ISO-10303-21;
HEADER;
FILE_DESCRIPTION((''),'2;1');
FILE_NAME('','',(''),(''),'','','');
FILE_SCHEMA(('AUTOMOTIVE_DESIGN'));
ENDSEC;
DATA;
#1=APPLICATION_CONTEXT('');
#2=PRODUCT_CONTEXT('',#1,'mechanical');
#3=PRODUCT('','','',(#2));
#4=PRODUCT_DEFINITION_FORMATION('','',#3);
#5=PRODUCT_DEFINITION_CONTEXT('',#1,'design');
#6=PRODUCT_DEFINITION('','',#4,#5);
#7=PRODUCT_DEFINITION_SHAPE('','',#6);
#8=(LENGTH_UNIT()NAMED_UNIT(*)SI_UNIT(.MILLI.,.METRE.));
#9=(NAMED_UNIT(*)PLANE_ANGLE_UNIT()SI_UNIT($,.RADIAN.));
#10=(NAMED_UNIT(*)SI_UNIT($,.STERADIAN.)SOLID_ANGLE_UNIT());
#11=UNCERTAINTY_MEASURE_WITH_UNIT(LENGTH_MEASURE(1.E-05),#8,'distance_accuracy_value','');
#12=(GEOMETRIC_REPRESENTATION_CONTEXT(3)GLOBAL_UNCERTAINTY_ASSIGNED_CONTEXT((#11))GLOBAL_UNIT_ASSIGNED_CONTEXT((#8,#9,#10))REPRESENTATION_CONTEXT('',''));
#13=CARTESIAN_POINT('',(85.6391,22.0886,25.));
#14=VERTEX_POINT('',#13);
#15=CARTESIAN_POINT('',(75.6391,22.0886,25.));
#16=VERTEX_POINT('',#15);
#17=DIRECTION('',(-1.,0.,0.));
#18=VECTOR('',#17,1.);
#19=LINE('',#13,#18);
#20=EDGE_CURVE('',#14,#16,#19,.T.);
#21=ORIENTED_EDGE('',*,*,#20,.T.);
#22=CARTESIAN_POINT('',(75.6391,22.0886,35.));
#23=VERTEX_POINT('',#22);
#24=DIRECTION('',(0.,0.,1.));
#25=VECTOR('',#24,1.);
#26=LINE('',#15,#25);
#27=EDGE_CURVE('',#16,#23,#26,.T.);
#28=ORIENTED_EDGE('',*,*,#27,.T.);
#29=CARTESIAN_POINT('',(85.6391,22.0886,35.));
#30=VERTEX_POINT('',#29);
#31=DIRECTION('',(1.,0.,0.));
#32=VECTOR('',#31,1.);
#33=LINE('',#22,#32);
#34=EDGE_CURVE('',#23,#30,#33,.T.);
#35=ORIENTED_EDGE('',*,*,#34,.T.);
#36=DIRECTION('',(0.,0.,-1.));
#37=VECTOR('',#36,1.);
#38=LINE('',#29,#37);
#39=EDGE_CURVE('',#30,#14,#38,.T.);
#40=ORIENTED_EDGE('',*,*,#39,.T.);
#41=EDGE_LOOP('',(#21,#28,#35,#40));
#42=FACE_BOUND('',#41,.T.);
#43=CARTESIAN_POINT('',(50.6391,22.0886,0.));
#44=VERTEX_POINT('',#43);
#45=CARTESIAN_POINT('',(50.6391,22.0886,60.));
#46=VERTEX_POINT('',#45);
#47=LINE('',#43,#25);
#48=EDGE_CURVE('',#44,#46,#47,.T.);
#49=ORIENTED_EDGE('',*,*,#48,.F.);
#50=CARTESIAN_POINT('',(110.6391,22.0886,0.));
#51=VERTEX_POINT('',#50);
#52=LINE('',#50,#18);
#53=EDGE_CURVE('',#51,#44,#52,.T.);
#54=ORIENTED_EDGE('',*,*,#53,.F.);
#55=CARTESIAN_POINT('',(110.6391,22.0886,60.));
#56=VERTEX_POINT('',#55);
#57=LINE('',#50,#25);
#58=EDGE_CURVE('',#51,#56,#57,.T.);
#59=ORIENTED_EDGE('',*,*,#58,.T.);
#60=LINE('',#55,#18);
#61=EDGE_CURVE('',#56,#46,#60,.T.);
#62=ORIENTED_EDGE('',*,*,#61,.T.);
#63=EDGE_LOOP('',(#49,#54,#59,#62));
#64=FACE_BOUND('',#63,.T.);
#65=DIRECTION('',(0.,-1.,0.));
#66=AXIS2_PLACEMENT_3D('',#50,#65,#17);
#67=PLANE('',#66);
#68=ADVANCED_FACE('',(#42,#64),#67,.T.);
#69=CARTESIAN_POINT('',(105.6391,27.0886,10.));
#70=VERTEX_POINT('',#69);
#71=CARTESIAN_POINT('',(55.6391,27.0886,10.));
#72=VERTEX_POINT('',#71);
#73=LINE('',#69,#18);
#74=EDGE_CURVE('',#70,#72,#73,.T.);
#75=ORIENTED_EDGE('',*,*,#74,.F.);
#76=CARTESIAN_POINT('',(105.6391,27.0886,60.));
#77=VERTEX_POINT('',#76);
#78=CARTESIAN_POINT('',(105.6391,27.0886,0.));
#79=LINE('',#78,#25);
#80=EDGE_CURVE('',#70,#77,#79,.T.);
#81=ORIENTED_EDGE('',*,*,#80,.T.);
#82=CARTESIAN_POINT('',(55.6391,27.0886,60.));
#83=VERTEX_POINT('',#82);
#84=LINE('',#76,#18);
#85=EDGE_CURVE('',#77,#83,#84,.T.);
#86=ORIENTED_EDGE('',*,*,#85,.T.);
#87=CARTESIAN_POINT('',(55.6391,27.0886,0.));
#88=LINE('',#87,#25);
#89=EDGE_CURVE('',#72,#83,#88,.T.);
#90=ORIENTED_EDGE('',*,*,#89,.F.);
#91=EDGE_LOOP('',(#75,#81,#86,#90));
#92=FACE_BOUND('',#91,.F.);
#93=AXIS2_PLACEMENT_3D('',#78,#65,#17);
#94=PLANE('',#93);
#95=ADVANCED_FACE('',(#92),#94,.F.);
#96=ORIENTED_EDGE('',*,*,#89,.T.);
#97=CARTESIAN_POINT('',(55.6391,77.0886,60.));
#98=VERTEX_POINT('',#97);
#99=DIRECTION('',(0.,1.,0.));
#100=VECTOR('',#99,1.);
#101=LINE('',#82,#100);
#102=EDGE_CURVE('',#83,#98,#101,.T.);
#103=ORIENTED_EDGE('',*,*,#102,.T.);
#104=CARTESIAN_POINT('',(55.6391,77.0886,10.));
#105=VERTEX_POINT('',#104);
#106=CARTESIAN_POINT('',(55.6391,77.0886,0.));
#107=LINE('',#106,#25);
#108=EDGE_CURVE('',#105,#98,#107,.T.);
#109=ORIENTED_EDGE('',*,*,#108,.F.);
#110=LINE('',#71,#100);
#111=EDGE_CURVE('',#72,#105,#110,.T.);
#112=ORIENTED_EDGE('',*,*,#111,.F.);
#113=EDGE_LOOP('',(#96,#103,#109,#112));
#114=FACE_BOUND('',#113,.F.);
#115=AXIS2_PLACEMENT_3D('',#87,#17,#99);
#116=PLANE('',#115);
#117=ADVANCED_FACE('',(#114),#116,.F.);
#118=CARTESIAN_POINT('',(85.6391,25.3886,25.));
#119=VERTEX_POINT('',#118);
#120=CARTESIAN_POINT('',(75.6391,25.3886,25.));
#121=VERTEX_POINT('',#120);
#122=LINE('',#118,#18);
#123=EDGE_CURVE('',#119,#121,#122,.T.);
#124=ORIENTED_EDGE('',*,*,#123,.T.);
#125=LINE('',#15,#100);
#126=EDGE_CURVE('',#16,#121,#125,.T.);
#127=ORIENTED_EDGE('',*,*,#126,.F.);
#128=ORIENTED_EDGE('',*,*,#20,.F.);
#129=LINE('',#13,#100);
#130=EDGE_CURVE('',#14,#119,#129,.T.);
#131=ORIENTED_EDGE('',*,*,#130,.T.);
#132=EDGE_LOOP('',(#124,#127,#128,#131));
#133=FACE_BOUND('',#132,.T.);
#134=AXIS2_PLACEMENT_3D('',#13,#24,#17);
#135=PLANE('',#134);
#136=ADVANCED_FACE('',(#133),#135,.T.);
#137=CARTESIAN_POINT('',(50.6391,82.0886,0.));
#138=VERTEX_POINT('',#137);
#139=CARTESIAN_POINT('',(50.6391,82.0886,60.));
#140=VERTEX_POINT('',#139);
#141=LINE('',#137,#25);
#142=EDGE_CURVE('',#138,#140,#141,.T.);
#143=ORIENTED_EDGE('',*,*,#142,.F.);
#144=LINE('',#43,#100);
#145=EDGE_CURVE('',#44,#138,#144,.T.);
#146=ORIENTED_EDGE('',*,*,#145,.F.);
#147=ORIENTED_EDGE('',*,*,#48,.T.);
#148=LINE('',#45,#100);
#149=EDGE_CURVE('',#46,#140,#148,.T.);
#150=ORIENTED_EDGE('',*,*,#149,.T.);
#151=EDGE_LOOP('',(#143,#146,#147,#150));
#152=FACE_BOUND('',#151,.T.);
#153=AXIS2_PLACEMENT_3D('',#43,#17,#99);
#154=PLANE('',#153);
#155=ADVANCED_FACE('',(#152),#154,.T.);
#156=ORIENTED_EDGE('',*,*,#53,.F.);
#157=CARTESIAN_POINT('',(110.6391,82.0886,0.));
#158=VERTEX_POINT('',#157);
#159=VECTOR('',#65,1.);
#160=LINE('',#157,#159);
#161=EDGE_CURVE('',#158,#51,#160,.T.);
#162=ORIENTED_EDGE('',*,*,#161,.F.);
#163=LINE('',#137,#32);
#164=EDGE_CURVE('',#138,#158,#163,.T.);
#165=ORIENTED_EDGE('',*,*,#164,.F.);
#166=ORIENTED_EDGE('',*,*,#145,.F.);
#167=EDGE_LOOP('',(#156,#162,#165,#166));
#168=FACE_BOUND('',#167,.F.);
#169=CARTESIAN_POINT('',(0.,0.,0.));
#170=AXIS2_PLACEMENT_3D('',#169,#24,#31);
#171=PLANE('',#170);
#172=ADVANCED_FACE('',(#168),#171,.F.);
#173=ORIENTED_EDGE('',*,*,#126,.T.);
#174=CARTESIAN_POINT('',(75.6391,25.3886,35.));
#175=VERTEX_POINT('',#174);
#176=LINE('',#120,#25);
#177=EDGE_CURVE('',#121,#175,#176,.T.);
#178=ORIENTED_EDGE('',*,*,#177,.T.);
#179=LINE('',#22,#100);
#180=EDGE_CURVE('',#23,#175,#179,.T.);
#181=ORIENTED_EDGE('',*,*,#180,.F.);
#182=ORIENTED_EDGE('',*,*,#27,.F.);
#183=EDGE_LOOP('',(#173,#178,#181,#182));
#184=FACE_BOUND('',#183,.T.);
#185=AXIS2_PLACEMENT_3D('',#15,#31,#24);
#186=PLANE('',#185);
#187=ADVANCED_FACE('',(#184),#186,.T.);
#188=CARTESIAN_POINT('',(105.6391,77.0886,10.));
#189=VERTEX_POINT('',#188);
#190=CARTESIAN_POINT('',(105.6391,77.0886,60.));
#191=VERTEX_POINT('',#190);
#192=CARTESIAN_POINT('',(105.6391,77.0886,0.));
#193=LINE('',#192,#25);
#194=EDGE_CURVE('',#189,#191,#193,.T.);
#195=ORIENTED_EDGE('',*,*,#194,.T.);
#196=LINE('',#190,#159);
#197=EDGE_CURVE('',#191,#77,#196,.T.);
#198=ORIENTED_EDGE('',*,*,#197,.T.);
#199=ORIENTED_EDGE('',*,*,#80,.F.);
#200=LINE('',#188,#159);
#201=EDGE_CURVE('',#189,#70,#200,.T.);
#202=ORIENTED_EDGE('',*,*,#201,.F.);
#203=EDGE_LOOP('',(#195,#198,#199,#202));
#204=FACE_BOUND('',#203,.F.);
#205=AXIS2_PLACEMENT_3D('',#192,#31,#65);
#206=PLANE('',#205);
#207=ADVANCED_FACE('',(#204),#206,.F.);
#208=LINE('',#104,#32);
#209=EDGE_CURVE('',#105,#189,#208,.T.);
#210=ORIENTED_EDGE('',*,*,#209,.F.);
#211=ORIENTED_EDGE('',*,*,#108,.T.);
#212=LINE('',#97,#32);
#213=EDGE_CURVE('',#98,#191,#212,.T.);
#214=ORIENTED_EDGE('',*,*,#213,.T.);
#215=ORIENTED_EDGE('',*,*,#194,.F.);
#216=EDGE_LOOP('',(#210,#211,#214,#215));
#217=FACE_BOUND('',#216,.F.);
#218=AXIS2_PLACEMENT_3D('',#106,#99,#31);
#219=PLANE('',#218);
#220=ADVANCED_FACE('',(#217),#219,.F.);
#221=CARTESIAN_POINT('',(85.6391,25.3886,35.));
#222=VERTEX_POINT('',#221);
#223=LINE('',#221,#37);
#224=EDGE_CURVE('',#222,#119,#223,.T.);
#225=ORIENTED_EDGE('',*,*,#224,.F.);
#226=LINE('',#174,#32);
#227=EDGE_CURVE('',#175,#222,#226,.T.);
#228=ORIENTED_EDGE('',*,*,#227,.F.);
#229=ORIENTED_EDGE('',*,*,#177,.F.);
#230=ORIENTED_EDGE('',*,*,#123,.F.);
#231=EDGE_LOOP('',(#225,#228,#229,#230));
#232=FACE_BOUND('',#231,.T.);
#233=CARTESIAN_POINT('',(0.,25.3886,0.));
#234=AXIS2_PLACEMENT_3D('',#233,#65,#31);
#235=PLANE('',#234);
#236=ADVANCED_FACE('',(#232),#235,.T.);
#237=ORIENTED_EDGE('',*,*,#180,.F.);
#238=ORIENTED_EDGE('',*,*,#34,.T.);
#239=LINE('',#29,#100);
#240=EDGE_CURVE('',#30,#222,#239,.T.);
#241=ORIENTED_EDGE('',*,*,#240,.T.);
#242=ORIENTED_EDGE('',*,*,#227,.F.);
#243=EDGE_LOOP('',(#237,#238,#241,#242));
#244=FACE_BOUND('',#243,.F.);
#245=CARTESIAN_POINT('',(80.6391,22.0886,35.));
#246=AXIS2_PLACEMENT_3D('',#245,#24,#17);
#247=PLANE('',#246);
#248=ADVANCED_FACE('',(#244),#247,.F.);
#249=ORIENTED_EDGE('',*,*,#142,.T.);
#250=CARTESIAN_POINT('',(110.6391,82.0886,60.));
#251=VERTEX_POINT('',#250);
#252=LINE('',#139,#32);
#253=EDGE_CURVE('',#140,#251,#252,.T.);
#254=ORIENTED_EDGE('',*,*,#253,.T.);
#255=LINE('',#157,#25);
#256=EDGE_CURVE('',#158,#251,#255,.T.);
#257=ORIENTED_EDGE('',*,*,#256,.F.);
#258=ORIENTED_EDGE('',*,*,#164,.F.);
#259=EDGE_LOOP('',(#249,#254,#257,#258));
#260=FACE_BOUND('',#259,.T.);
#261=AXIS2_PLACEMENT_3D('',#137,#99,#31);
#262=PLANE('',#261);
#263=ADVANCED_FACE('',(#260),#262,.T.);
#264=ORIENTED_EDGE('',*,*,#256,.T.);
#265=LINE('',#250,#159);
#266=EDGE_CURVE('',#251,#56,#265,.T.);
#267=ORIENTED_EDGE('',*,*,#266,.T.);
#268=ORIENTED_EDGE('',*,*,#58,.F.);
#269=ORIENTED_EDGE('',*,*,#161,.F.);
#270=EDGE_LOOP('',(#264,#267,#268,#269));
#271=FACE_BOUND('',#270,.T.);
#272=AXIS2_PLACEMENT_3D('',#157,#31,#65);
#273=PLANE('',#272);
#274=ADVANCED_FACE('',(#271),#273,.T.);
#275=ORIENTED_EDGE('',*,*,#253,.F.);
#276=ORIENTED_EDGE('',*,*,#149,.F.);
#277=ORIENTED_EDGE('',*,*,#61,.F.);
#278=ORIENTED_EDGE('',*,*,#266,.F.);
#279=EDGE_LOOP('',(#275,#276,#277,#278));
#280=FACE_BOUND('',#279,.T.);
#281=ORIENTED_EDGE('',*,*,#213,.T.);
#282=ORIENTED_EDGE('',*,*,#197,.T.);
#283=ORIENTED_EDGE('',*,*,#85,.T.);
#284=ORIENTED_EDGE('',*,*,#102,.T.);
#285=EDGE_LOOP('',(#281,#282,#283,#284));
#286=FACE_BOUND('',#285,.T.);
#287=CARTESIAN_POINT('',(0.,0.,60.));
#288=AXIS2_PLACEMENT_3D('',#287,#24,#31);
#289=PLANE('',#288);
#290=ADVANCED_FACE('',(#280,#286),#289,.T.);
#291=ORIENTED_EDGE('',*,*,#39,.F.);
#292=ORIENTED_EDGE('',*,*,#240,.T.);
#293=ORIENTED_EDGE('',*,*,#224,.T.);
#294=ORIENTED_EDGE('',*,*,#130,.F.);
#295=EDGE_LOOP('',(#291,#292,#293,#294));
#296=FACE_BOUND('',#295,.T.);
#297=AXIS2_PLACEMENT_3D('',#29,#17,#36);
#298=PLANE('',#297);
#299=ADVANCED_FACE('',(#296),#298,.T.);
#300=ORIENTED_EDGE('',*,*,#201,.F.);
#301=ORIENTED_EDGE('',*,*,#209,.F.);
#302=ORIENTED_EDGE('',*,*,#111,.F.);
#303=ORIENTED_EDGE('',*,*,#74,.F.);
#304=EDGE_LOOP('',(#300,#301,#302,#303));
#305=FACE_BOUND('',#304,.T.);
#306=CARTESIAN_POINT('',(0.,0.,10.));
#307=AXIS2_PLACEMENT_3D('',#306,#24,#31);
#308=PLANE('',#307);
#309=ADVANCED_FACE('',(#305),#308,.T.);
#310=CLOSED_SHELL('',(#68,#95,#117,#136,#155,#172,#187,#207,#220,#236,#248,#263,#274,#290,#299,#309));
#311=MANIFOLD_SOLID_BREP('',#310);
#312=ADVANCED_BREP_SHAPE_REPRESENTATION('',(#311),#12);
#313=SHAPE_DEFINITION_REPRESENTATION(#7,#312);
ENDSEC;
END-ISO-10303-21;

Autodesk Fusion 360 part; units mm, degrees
sketch "Sketch1" plane through (0, 0, 0) normal (0, 0, 1) x (1, 0, 0)
  line L0 (50.6391, 82.0886) -> (110.6391, 82.0886)
  line L1 (110.6391, 82.0886) -> (110.6391, 22.0886)
  line L2 (110.6391, 22.0886) -> (50.6391, 22.0886)
  line L3 (50.6391, 22.0886) -> (50.6391, 82.0886)
  line L4 (55.6391, 77.0886) -> (105.6391, 77.0886)
  line L5 (105.6391, 77.0886) -> (105.6391, 27.0886)
  line L6 (105.6391, 27.0886) -> (55.6391, 27.0886)
  line L7 (55.6391, 27.0886) -> (55.6391, 77.0886)
  dimension "d1" = 60
  dimension "d2" = 60
  dimension "d5" = 50
  dimension "d6" = 50
extrude "Extrude1" add sketch "Sketch1" along normal blind 10 contours L4 L5 L6 L7
extrude "Extrude2" add sketch "Sketch1" along normal blind 60
sketch "Sketch2" plane through (0, 22.0886, 0) normal (0, -1, 0) x (1, 0, 0)
  line L0 (50.6391, 0) -> (110.6391, 0)
  line L1 (110.6391, 0) -> (110.6391, 60)
  line L2 (110.6391, 60) -> (50.6391, 60)
  line L3 (50.6391, 60) -> (50.6391, 0)
  line L4 (80.6391, 35) -> (75.6391, 35)
  line L5 (75.6391, 35) -> (85.6391, 35)
  line L6 (85.6391, 35) -> (85.6391, 25)
  line L7 (85.6391, 25) -> (75.6391, 25)
  line L8 (75.6391, 25) -> (75.6391, 35)
  dimension "d13" = 10
  dimension "d14" = 10
extrude "Extrude3" cut sketch "Sketch2" against normal blind 3.3 contours L4 L5 L6 L7 L8
